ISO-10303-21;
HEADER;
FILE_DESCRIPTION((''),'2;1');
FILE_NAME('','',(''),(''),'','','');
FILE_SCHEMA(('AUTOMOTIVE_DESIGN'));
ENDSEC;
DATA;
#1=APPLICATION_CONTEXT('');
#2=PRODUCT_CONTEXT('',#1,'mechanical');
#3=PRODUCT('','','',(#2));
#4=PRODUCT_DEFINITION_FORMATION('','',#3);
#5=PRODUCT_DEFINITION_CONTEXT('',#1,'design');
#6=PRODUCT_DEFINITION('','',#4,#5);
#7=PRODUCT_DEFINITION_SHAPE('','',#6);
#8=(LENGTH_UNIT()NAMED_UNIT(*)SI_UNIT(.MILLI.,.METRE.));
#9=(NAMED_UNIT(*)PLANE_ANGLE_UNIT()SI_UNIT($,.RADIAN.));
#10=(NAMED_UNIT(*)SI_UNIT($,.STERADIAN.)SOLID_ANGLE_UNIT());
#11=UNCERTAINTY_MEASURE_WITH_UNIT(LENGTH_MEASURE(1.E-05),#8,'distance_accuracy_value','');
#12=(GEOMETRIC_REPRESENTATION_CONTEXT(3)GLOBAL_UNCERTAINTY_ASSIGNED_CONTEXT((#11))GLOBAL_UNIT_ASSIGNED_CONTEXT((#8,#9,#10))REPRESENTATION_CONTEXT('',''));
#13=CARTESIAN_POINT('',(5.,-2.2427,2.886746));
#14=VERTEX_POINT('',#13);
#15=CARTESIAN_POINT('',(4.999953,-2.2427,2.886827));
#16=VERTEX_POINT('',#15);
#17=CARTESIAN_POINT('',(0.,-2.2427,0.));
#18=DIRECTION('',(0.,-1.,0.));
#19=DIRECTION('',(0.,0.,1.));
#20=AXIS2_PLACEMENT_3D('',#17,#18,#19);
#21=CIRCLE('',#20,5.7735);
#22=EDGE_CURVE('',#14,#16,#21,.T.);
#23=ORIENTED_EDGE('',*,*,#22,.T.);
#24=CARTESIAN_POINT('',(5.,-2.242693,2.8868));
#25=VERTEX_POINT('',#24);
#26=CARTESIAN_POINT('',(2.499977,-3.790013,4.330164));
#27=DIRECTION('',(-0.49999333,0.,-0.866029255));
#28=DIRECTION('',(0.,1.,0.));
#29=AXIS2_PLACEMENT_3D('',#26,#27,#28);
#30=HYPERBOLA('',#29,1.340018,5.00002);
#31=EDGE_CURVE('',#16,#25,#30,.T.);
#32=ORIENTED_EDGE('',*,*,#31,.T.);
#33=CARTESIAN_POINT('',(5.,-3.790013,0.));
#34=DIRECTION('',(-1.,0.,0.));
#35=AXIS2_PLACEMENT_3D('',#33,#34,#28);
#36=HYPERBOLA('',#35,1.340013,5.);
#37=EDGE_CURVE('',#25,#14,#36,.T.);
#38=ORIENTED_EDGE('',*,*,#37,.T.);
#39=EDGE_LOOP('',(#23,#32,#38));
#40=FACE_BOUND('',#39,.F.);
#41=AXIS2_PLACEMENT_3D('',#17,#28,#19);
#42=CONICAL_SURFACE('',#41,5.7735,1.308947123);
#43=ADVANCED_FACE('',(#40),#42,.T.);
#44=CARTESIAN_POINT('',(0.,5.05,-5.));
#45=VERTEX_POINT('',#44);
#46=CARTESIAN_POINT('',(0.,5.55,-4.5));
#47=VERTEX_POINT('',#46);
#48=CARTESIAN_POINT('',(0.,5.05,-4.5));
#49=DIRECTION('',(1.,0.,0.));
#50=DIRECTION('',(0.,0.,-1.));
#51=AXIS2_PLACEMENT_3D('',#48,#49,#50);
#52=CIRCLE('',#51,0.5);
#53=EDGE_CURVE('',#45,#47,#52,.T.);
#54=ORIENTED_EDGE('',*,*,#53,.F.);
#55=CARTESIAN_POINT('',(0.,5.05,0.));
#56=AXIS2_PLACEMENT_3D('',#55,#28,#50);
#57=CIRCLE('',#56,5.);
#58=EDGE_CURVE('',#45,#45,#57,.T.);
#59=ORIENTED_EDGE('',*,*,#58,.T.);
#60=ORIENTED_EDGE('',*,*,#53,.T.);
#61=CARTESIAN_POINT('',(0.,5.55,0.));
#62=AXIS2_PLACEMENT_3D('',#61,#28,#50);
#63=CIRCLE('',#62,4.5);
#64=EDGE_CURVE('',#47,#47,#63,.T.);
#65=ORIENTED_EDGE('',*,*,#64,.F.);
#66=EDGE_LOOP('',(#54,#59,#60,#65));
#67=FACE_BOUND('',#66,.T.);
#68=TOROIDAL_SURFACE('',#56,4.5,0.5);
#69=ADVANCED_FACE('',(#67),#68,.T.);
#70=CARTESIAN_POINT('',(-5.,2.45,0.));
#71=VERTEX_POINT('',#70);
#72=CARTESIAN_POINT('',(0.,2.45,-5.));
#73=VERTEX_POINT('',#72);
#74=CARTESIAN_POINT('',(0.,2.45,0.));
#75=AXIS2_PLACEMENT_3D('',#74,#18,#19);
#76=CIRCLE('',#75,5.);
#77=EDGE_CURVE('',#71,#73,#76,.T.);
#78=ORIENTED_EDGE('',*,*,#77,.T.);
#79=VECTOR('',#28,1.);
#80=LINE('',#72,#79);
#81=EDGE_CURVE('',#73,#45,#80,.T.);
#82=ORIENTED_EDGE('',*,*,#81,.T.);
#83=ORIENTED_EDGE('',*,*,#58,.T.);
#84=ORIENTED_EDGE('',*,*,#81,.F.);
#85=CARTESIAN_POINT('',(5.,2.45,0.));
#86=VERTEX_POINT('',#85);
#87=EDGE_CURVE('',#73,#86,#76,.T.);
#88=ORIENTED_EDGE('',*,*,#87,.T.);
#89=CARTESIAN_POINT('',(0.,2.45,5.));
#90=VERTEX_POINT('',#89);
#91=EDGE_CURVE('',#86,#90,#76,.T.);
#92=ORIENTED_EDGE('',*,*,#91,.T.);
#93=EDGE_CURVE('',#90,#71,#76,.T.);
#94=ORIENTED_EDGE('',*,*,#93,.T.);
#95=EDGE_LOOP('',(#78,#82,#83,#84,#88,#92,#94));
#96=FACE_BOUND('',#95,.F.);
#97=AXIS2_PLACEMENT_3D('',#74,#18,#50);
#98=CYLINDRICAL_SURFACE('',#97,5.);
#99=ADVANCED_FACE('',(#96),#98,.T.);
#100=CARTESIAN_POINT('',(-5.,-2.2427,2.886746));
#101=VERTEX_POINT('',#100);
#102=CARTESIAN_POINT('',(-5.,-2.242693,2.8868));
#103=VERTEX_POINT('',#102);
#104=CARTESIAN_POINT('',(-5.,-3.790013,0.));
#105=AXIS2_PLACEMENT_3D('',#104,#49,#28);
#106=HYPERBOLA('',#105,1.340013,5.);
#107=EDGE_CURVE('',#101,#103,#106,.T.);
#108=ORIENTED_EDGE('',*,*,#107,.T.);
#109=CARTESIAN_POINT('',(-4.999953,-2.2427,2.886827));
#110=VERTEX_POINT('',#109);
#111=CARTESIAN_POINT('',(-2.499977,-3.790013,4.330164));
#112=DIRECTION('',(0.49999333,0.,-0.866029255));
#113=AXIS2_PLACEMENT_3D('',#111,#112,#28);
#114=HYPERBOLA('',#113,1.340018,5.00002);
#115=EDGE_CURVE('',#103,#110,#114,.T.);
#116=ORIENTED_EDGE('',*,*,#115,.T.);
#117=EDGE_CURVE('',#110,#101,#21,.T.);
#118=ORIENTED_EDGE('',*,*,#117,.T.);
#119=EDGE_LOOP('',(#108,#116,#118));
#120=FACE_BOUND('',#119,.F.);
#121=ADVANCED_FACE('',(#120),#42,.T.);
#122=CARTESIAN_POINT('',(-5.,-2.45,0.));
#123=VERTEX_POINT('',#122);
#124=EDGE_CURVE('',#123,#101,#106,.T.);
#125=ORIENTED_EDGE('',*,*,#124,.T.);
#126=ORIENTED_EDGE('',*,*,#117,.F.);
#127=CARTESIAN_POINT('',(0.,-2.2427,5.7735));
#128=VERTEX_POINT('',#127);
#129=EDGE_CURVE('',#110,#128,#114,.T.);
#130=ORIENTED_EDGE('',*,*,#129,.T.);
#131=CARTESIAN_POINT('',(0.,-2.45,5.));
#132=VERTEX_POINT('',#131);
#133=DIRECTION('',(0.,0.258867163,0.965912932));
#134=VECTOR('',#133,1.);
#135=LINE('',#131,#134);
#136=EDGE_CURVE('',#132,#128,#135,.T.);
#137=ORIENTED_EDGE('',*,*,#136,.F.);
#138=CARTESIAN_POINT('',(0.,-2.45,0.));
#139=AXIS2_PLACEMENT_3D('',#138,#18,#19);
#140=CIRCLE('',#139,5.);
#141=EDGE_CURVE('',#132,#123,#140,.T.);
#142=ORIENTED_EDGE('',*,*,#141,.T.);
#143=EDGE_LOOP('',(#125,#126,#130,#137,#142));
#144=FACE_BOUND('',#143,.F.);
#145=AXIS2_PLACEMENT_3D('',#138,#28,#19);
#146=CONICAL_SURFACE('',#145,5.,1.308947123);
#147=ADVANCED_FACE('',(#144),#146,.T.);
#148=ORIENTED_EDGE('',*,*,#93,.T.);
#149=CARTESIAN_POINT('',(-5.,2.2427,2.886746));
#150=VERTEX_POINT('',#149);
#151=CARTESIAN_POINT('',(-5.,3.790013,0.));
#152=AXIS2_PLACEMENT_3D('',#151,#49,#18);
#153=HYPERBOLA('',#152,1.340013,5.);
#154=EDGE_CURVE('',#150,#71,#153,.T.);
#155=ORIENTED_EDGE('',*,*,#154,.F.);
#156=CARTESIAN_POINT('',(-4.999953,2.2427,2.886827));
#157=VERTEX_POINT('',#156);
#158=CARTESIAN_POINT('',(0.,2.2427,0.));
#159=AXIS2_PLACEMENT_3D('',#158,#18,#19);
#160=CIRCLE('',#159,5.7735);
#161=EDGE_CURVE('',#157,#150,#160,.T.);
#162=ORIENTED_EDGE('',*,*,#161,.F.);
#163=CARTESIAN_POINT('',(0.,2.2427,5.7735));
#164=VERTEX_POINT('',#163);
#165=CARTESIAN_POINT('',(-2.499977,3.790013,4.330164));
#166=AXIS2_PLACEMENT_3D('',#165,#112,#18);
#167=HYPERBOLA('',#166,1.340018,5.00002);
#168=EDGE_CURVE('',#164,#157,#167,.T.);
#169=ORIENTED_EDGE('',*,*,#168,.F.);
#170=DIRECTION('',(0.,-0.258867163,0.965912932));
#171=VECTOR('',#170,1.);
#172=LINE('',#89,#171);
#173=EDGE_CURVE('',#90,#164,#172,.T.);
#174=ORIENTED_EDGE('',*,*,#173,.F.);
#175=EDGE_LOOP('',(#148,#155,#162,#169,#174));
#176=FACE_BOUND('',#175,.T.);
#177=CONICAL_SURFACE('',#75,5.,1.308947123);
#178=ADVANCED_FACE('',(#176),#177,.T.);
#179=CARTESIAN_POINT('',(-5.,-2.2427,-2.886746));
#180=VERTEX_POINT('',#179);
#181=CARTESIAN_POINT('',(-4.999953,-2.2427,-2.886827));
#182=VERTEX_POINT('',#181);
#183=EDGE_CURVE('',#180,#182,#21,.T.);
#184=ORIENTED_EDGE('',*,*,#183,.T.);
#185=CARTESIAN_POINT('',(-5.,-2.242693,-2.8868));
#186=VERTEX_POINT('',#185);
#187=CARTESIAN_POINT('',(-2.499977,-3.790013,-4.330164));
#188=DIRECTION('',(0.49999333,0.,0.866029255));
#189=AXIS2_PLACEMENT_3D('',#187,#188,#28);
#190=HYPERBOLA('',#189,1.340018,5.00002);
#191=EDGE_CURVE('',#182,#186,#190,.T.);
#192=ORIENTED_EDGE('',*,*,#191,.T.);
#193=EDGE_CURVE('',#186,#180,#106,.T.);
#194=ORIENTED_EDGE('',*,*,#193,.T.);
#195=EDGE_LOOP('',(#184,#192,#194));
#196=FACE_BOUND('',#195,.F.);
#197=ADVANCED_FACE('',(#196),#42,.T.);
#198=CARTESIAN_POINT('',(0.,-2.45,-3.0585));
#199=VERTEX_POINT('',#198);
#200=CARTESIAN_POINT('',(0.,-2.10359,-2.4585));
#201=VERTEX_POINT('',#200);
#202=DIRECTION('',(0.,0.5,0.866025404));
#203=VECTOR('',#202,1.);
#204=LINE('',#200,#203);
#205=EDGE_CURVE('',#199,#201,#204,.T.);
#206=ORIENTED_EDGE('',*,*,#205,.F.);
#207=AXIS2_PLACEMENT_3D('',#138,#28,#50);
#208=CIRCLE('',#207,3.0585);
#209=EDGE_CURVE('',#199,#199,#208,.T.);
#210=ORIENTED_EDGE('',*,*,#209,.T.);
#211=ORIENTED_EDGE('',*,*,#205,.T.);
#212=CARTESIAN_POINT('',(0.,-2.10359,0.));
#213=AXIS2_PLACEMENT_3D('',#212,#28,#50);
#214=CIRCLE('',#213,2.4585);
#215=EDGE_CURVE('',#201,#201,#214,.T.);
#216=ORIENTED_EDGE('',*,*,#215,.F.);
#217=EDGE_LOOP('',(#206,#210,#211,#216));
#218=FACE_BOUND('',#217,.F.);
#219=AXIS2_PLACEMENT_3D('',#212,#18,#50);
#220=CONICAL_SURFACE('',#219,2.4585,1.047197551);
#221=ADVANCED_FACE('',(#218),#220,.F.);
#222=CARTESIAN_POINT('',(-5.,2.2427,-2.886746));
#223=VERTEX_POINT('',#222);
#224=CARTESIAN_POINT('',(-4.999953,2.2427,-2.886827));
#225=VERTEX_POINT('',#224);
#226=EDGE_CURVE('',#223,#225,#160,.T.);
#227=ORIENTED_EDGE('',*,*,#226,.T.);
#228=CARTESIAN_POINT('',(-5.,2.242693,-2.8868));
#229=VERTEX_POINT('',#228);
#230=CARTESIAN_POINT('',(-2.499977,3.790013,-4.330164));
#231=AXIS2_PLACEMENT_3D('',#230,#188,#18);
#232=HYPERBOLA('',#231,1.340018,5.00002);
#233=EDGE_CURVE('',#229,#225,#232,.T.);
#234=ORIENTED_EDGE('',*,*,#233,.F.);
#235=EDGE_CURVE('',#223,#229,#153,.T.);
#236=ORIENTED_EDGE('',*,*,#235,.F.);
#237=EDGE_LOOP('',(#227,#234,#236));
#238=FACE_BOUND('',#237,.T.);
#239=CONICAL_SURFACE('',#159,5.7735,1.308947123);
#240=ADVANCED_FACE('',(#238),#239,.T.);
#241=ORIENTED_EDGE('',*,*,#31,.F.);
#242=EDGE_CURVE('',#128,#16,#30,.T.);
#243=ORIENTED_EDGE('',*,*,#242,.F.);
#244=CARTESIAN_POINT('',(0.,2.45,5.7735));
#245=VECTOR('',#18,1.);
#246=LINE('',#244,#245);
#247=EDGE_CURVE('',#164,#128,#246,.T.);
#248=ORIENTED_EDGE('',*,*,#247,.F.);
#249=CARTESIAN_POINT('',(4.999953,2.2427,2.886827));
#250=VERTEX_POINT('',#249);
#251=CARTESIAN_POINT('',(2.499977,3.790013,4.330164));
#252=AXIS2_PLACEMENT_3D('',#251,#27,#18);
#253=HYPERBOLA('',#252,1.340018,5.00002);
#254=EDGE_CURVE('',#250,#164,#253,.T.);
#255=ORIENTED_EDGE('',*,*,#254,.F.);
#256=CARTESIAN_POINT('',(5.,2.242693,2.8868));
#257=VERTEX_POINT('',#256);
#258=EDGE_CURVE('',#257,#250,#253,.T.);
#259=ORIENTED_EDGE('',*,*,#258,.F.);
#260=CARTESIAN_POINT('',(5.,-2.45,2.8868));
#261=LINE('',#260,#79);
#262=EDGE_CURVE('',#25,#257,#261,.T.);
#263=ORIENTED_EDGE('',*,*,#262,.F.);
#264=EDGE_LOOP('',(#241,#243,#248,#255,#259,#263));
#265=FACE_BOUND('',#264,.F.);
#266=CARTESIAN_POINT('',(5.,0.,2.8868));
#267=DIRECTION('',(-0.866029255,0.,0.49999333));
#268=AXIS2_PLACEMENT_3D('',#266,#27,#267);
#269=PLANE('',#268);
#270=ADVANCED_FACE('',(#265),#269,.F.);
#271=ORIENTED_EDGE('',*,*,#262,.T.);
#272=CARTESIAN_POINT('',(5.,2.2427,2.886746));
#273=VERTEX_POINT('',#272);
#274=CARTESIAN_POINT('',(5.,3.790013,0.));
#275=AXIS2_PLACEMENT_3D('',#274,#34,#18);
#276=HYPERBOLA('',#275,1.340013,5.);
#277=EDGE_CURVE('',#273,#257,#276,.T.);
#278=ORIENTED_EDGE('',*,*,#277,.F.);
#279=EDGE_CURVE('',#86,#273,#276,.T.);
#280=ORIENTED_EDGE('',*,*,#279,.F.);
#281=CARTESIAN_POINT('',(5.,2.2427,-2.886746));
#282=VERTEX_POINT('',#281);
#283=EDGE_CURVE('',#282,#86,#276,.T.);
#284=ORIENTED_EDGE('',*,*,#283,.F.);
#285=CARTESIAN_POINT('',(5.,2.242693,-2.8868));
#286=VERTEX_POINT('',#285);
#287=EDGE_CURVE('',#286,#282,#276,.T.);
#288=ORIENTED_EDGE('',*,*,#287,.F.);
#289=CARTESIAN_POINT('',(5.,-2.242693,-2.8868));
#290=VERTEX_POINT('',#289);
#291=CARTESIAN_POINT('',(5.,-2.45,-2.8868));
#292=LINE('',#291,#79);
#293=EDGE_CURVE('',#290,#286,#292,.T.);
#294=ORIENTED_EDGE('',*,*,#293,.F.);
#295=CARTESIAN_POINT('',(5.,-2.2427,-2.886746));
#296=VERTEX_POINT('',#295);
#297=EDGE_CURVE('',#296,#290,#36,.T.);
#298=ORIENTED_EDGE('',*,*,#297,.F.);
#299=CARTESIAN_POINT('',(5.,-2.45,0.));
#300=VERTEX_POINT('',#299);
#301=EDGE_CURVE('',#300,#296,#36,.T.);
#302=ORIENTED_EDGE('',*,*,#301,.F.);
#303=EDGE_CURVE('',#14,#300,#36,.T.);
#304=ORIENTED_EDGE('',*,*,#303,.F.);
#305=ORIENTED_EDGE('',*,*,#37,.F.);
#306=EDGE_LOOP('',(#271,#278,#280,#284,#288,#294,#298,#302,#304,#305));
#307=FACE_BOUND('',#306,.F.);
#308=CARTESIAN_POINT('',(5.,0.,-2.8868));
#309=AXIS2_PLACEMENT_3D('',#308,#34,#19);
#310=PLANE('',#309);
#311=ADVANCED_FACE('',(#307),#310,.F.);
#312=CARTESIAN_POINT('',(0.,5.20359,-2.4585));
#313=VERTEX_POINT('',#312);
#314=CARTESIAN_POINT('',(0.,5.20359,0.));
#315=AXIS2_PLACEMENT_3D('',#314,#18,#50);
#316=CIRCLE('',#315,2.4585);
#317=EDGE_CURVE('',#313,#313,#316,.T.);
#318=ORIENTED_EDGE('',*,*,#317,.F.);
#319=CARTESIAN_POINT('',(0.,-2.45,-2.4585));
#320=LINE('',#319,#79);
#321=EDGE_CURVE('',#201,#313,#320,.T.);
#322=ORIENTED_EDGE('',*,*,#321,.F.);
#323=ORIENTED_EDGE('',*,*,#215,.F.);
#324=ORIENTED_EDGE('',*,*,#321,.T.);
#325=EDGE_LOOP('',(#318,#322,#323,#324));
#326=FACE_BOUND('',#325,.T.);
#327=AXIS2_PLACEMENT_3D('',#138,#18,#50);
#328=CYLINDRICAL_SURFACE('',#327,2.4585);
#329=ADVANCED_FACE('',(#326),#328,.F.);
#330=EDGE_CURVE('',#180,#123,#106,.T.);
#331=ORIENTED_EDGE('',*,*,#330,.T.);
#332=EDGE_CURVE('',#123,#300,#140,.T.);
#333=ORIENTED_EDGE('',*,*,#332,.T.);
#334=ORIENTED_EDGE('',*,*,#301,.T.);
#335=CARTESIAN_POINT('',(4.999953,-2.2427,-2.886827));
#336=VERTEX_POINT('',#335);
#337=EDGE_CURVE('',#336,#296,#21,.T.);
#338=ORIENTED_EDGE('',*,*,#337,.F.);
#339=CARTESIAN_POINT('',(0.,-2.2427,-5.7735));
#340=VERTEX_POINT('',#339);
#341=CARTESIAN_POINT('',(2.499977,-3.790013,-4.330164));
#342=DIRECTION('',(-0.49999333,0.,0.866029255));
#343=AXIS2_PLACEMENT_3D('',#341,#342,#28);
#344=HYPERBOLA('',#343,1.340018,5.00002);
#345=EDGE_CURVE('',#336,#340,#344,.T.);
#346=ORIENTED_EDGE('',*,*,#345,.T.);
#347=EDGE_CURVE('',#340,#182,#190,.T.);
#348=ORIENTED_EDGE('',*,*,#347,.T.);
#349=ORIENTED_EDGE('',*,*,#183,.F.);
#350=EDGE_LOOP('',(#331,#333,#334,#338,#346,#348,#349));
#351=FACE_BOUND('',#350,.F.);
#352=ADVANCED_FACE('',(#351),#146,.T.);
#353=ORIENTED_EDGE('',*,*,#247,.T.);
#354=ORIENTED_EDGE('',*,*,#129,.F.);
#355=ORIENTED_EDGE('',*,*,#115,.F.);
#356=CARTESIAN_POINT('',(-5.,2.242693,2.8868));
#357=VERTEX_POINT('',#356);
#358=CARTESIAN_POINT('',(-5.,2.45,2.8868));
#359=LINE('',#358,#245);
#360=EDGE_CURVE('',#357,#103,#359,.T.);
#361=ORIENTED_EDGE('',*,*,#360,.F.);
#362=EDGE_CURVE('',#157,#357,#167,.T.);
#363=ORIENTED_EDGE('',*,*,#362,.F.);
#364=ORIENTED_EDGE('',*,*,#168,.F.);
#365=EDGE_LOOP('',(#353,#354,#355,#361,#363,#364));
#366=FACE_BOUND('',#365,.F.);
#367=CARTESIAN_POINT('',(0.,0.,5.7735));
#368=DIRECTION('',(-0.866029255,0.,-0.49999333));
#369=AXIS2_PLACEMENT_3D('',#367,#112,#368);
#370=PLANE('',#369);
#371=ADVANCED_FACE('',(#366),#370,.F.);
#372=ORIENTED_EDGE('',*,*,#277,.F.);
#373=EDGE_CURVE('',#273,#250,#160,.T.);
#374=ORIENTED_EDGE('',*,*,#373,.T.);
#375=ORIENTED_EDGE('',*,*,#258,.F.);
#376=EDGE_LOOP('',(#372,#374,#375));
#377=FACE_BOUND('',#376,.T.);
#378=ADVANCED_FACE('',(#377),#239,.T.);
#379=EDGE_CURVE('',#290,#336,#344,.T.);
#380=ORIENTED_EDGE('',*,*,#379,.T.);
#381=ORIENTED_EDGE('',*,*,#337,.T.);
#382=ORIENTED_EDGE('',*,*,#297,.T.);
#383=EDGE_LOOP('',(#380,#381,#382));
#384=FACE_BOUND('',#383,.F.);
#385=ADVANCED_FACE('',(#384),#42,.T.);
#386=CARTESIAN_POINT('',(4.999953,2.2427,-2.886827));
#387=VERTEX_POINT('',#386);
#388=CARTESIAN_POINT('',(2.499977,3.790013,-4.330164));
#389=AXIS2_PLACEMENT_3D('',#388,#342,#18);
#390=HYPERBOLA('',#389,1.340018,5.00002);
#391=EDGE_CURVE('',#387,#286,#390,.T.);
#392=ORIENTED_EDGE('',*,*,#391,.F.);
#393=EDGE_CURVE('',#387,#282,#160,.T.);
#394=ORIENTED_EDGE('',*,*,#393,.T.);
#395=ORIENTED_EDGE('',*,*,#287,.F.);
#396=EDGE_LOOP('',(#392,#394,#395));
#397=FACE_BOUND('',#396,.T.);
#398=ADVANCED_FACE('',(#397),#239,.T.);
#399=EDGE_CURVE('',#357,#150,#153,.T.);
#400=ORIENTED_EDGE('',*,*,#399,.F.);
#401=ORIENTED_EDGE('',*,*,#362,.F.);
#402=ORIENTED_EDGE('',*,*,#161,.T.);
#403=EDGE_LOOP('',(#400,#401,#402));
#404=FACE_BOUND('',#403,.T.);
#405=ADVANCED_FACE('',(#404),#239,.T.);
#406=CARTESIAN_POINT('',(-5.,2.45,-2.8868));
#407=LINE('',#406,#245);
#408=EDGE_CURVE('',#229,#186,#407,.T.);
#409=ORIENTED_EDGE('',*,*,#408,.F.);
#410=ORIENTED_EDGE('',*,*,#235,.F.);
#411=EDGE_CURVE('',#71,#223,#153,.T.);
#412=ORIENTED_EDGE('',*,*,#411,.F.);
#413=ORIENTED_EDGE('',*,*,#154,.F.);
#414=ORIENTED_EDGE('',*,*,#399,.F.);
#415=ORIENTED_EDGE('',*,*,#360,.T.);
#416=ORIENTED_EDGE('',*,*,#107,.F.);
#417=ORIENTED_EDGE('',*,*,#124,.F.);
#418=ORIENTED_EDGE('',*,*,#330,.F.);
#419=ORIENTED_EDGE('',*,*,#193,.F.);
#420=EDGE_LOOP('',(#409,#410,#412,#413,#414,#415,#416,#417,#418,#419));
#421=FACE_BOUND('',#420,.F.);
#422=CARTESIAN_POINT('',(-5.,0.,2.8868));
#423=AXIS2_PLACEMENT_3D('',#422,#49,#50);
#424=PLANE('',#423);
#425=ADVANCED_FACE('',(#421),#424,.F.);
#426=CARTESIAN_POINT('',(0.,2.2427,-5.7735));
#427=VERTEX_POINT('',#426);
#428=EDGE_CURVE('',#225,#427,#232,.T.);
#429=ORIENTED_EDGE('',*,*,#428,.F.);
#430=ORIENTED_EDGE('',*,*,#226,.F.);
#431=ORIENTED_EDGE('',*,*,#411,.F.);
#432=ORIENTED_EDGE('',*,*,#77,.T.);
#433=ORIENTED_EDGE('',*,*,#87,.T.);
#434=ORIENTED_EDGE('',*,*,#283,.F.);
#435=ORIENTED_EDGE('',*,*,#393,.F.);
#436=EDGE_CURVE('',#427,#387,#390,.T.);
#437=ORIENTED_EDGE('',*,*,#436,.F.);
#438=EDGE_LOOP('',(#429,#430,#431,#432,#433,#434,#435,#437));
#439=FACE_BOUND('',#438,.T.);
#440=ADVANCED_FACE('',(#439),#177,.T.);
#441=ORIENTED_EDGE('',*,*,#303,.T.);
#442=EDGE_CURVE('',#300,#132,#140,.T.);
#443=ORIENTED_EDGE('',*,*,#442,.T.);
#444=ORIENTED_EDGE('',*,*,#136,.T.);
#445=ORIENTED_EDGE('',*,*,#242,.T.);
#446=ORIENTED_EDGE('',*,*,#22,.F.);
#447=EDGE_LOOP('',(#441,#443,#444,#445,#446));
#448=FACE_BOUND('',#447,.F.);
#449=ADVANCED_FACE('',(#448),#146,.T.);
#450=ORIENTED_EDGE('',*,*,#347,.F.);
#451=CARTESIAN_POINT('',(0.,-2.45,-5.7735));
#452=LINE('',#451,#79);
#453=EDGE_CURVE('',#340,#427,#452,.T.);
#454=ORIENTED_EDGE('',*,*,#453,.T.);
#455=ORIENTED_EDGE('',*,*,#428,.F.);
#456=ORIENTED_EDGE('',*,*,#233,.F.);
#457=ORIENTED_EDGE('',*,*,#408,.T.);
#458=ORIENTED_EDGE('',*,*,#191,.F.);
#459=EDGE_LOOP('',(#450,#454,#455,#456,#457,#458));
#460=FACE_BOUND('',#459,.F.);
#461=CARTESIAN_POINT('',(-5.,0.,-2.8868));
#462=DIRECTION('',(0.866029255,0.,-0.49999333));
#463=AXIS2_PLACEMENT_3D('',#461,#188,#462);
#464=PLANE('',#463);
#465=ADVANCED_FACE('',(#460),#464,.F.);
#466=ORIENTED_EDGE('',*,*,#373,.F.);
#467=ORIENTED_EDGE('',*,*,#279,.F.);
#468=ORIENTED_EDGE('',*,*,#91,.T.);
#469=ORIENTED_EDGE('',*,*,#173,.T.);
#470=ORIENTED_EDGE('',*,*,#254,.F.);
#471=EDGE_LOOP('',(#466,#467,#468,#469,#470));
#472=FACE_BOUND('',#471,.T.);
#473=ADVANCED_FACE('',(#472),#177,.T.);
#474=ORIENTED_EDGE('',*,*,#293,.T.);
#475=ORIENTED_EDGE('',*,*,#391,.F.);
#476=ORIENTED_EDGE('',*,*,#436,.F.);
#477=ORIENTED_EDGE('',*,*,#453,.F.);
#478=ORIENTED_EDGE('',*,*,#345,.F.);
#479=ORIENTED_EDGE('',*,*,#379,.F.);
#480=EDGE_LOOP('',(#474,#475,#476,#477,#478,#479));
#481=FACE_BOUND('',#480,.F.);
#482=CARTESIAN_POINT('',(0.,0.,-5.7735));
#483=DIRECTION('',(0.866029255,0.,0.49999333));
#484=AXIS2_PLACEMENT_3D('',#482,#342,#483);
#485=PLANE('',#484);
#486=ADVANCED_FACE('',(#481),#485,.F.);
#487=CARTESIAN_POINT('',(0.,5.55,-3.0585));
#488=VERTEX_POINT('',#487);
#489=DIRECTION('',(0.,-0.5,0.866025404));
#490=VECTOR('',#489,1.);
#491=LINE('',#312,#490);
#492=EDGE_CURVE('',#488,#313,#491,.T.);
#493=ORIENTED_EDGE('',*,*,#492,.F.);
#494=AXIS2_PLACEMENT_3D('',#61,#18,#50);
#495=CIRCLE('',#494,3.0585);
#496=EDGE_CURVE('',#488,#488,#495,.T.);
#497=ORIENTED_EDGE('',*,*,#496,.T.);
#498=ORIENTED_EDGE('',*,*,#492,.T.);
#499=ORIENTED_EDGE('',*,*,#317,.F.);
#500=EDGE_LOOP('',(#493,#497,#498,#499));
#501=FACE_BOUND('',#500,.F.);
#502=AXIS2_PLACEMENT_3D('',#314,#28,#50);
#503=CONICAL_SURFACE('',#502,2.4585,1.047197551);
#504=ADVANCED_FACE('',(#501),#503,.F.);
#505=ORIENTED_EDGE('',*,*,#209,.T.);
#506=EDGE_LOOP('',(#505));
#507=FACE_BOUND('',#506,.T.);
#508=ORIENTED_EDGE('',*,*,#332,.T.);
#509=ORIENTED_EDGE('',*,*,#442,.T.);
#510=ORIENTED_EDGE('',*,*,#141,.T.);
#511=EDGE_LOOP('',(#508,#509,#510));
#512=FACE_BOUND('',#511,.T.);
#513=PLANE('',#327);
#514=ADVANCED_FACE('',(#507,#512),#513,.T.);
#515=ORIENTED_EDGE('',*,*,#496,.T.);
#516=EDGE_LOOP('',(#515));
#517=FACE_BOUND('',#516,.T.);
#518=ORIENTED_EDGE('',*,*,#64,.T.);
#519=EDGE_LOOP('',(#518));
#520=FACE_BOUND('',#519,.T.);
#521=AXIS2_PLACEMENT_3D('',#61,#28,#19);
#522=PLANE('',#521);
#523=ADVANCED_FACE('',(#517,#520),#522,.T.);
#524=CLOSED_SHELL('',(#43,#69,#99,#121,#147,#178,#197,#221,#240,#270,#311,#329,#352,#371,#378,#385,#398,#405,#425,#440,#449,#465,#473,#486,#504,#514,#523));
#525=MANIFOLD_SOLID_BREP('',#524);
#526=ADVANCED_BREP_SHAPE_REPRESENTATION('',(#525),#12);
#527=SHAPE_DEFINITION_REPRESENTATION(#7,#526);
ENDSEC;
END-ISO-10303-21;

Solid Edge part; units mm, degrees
sketch "Sketch1" plane through (0, 0, 0) normal (0, -1, 0) x (1, 0, 0)
  line L0 (5, 2.8868) -> (0, 5.7735)
  line L1 (0, 5.7735) -> (-5, 2.8868)
  line L2 (-5, 2.8868) -> (-5, -2.8868)
  line L3 (-5, -2.8868) -> (0, -5.7735)
  line L4 (0, -5.7735) -> (5, -2.8868)
  line L5 (5, -2.8868) -> (5, 2.8868)
extrude "Protrusion1" add sketch "Sketch1" along normal mid plane 4.9
sketch "Sketch2" plane through (0, 0, 0) normal (1, 0, 0) x (0, 1, 0)
  line L0 (-2.45, 5) -> (-2.2427, 5.7735)
revolve "RevolvedCutout1" cut sketch "Sketch2" angle 360 about axis through (0, 0, 0) along (0, -1, 0) material side at (0, -2.3946, 5.3997)
mirror "Mirror1" about plane through (0, 0, 0) normal (0, -1, 0) of "RevolvedCutout1"
sketch "Sketch3" plane through (0, 2.45, 0) normal (0, 1, 0) x (0, 0, -1)
  circle A0 centre (0, 0) radius 5
  dimension "D1" = 10
extrude "Protrusion2" add sketch "Sketch3" along normal blind 3.1
fillet "倒圆_2" radius 0.5 1 edges at (0, 5.55, 5)
hole "孔_7" at (0, -2.45, 0) direction (0, 1, 0) diameter 4.917 end up to next start chamfer 0.6 start chamfer angle 60 end chamfer 0.6 end chamfer angle 60
